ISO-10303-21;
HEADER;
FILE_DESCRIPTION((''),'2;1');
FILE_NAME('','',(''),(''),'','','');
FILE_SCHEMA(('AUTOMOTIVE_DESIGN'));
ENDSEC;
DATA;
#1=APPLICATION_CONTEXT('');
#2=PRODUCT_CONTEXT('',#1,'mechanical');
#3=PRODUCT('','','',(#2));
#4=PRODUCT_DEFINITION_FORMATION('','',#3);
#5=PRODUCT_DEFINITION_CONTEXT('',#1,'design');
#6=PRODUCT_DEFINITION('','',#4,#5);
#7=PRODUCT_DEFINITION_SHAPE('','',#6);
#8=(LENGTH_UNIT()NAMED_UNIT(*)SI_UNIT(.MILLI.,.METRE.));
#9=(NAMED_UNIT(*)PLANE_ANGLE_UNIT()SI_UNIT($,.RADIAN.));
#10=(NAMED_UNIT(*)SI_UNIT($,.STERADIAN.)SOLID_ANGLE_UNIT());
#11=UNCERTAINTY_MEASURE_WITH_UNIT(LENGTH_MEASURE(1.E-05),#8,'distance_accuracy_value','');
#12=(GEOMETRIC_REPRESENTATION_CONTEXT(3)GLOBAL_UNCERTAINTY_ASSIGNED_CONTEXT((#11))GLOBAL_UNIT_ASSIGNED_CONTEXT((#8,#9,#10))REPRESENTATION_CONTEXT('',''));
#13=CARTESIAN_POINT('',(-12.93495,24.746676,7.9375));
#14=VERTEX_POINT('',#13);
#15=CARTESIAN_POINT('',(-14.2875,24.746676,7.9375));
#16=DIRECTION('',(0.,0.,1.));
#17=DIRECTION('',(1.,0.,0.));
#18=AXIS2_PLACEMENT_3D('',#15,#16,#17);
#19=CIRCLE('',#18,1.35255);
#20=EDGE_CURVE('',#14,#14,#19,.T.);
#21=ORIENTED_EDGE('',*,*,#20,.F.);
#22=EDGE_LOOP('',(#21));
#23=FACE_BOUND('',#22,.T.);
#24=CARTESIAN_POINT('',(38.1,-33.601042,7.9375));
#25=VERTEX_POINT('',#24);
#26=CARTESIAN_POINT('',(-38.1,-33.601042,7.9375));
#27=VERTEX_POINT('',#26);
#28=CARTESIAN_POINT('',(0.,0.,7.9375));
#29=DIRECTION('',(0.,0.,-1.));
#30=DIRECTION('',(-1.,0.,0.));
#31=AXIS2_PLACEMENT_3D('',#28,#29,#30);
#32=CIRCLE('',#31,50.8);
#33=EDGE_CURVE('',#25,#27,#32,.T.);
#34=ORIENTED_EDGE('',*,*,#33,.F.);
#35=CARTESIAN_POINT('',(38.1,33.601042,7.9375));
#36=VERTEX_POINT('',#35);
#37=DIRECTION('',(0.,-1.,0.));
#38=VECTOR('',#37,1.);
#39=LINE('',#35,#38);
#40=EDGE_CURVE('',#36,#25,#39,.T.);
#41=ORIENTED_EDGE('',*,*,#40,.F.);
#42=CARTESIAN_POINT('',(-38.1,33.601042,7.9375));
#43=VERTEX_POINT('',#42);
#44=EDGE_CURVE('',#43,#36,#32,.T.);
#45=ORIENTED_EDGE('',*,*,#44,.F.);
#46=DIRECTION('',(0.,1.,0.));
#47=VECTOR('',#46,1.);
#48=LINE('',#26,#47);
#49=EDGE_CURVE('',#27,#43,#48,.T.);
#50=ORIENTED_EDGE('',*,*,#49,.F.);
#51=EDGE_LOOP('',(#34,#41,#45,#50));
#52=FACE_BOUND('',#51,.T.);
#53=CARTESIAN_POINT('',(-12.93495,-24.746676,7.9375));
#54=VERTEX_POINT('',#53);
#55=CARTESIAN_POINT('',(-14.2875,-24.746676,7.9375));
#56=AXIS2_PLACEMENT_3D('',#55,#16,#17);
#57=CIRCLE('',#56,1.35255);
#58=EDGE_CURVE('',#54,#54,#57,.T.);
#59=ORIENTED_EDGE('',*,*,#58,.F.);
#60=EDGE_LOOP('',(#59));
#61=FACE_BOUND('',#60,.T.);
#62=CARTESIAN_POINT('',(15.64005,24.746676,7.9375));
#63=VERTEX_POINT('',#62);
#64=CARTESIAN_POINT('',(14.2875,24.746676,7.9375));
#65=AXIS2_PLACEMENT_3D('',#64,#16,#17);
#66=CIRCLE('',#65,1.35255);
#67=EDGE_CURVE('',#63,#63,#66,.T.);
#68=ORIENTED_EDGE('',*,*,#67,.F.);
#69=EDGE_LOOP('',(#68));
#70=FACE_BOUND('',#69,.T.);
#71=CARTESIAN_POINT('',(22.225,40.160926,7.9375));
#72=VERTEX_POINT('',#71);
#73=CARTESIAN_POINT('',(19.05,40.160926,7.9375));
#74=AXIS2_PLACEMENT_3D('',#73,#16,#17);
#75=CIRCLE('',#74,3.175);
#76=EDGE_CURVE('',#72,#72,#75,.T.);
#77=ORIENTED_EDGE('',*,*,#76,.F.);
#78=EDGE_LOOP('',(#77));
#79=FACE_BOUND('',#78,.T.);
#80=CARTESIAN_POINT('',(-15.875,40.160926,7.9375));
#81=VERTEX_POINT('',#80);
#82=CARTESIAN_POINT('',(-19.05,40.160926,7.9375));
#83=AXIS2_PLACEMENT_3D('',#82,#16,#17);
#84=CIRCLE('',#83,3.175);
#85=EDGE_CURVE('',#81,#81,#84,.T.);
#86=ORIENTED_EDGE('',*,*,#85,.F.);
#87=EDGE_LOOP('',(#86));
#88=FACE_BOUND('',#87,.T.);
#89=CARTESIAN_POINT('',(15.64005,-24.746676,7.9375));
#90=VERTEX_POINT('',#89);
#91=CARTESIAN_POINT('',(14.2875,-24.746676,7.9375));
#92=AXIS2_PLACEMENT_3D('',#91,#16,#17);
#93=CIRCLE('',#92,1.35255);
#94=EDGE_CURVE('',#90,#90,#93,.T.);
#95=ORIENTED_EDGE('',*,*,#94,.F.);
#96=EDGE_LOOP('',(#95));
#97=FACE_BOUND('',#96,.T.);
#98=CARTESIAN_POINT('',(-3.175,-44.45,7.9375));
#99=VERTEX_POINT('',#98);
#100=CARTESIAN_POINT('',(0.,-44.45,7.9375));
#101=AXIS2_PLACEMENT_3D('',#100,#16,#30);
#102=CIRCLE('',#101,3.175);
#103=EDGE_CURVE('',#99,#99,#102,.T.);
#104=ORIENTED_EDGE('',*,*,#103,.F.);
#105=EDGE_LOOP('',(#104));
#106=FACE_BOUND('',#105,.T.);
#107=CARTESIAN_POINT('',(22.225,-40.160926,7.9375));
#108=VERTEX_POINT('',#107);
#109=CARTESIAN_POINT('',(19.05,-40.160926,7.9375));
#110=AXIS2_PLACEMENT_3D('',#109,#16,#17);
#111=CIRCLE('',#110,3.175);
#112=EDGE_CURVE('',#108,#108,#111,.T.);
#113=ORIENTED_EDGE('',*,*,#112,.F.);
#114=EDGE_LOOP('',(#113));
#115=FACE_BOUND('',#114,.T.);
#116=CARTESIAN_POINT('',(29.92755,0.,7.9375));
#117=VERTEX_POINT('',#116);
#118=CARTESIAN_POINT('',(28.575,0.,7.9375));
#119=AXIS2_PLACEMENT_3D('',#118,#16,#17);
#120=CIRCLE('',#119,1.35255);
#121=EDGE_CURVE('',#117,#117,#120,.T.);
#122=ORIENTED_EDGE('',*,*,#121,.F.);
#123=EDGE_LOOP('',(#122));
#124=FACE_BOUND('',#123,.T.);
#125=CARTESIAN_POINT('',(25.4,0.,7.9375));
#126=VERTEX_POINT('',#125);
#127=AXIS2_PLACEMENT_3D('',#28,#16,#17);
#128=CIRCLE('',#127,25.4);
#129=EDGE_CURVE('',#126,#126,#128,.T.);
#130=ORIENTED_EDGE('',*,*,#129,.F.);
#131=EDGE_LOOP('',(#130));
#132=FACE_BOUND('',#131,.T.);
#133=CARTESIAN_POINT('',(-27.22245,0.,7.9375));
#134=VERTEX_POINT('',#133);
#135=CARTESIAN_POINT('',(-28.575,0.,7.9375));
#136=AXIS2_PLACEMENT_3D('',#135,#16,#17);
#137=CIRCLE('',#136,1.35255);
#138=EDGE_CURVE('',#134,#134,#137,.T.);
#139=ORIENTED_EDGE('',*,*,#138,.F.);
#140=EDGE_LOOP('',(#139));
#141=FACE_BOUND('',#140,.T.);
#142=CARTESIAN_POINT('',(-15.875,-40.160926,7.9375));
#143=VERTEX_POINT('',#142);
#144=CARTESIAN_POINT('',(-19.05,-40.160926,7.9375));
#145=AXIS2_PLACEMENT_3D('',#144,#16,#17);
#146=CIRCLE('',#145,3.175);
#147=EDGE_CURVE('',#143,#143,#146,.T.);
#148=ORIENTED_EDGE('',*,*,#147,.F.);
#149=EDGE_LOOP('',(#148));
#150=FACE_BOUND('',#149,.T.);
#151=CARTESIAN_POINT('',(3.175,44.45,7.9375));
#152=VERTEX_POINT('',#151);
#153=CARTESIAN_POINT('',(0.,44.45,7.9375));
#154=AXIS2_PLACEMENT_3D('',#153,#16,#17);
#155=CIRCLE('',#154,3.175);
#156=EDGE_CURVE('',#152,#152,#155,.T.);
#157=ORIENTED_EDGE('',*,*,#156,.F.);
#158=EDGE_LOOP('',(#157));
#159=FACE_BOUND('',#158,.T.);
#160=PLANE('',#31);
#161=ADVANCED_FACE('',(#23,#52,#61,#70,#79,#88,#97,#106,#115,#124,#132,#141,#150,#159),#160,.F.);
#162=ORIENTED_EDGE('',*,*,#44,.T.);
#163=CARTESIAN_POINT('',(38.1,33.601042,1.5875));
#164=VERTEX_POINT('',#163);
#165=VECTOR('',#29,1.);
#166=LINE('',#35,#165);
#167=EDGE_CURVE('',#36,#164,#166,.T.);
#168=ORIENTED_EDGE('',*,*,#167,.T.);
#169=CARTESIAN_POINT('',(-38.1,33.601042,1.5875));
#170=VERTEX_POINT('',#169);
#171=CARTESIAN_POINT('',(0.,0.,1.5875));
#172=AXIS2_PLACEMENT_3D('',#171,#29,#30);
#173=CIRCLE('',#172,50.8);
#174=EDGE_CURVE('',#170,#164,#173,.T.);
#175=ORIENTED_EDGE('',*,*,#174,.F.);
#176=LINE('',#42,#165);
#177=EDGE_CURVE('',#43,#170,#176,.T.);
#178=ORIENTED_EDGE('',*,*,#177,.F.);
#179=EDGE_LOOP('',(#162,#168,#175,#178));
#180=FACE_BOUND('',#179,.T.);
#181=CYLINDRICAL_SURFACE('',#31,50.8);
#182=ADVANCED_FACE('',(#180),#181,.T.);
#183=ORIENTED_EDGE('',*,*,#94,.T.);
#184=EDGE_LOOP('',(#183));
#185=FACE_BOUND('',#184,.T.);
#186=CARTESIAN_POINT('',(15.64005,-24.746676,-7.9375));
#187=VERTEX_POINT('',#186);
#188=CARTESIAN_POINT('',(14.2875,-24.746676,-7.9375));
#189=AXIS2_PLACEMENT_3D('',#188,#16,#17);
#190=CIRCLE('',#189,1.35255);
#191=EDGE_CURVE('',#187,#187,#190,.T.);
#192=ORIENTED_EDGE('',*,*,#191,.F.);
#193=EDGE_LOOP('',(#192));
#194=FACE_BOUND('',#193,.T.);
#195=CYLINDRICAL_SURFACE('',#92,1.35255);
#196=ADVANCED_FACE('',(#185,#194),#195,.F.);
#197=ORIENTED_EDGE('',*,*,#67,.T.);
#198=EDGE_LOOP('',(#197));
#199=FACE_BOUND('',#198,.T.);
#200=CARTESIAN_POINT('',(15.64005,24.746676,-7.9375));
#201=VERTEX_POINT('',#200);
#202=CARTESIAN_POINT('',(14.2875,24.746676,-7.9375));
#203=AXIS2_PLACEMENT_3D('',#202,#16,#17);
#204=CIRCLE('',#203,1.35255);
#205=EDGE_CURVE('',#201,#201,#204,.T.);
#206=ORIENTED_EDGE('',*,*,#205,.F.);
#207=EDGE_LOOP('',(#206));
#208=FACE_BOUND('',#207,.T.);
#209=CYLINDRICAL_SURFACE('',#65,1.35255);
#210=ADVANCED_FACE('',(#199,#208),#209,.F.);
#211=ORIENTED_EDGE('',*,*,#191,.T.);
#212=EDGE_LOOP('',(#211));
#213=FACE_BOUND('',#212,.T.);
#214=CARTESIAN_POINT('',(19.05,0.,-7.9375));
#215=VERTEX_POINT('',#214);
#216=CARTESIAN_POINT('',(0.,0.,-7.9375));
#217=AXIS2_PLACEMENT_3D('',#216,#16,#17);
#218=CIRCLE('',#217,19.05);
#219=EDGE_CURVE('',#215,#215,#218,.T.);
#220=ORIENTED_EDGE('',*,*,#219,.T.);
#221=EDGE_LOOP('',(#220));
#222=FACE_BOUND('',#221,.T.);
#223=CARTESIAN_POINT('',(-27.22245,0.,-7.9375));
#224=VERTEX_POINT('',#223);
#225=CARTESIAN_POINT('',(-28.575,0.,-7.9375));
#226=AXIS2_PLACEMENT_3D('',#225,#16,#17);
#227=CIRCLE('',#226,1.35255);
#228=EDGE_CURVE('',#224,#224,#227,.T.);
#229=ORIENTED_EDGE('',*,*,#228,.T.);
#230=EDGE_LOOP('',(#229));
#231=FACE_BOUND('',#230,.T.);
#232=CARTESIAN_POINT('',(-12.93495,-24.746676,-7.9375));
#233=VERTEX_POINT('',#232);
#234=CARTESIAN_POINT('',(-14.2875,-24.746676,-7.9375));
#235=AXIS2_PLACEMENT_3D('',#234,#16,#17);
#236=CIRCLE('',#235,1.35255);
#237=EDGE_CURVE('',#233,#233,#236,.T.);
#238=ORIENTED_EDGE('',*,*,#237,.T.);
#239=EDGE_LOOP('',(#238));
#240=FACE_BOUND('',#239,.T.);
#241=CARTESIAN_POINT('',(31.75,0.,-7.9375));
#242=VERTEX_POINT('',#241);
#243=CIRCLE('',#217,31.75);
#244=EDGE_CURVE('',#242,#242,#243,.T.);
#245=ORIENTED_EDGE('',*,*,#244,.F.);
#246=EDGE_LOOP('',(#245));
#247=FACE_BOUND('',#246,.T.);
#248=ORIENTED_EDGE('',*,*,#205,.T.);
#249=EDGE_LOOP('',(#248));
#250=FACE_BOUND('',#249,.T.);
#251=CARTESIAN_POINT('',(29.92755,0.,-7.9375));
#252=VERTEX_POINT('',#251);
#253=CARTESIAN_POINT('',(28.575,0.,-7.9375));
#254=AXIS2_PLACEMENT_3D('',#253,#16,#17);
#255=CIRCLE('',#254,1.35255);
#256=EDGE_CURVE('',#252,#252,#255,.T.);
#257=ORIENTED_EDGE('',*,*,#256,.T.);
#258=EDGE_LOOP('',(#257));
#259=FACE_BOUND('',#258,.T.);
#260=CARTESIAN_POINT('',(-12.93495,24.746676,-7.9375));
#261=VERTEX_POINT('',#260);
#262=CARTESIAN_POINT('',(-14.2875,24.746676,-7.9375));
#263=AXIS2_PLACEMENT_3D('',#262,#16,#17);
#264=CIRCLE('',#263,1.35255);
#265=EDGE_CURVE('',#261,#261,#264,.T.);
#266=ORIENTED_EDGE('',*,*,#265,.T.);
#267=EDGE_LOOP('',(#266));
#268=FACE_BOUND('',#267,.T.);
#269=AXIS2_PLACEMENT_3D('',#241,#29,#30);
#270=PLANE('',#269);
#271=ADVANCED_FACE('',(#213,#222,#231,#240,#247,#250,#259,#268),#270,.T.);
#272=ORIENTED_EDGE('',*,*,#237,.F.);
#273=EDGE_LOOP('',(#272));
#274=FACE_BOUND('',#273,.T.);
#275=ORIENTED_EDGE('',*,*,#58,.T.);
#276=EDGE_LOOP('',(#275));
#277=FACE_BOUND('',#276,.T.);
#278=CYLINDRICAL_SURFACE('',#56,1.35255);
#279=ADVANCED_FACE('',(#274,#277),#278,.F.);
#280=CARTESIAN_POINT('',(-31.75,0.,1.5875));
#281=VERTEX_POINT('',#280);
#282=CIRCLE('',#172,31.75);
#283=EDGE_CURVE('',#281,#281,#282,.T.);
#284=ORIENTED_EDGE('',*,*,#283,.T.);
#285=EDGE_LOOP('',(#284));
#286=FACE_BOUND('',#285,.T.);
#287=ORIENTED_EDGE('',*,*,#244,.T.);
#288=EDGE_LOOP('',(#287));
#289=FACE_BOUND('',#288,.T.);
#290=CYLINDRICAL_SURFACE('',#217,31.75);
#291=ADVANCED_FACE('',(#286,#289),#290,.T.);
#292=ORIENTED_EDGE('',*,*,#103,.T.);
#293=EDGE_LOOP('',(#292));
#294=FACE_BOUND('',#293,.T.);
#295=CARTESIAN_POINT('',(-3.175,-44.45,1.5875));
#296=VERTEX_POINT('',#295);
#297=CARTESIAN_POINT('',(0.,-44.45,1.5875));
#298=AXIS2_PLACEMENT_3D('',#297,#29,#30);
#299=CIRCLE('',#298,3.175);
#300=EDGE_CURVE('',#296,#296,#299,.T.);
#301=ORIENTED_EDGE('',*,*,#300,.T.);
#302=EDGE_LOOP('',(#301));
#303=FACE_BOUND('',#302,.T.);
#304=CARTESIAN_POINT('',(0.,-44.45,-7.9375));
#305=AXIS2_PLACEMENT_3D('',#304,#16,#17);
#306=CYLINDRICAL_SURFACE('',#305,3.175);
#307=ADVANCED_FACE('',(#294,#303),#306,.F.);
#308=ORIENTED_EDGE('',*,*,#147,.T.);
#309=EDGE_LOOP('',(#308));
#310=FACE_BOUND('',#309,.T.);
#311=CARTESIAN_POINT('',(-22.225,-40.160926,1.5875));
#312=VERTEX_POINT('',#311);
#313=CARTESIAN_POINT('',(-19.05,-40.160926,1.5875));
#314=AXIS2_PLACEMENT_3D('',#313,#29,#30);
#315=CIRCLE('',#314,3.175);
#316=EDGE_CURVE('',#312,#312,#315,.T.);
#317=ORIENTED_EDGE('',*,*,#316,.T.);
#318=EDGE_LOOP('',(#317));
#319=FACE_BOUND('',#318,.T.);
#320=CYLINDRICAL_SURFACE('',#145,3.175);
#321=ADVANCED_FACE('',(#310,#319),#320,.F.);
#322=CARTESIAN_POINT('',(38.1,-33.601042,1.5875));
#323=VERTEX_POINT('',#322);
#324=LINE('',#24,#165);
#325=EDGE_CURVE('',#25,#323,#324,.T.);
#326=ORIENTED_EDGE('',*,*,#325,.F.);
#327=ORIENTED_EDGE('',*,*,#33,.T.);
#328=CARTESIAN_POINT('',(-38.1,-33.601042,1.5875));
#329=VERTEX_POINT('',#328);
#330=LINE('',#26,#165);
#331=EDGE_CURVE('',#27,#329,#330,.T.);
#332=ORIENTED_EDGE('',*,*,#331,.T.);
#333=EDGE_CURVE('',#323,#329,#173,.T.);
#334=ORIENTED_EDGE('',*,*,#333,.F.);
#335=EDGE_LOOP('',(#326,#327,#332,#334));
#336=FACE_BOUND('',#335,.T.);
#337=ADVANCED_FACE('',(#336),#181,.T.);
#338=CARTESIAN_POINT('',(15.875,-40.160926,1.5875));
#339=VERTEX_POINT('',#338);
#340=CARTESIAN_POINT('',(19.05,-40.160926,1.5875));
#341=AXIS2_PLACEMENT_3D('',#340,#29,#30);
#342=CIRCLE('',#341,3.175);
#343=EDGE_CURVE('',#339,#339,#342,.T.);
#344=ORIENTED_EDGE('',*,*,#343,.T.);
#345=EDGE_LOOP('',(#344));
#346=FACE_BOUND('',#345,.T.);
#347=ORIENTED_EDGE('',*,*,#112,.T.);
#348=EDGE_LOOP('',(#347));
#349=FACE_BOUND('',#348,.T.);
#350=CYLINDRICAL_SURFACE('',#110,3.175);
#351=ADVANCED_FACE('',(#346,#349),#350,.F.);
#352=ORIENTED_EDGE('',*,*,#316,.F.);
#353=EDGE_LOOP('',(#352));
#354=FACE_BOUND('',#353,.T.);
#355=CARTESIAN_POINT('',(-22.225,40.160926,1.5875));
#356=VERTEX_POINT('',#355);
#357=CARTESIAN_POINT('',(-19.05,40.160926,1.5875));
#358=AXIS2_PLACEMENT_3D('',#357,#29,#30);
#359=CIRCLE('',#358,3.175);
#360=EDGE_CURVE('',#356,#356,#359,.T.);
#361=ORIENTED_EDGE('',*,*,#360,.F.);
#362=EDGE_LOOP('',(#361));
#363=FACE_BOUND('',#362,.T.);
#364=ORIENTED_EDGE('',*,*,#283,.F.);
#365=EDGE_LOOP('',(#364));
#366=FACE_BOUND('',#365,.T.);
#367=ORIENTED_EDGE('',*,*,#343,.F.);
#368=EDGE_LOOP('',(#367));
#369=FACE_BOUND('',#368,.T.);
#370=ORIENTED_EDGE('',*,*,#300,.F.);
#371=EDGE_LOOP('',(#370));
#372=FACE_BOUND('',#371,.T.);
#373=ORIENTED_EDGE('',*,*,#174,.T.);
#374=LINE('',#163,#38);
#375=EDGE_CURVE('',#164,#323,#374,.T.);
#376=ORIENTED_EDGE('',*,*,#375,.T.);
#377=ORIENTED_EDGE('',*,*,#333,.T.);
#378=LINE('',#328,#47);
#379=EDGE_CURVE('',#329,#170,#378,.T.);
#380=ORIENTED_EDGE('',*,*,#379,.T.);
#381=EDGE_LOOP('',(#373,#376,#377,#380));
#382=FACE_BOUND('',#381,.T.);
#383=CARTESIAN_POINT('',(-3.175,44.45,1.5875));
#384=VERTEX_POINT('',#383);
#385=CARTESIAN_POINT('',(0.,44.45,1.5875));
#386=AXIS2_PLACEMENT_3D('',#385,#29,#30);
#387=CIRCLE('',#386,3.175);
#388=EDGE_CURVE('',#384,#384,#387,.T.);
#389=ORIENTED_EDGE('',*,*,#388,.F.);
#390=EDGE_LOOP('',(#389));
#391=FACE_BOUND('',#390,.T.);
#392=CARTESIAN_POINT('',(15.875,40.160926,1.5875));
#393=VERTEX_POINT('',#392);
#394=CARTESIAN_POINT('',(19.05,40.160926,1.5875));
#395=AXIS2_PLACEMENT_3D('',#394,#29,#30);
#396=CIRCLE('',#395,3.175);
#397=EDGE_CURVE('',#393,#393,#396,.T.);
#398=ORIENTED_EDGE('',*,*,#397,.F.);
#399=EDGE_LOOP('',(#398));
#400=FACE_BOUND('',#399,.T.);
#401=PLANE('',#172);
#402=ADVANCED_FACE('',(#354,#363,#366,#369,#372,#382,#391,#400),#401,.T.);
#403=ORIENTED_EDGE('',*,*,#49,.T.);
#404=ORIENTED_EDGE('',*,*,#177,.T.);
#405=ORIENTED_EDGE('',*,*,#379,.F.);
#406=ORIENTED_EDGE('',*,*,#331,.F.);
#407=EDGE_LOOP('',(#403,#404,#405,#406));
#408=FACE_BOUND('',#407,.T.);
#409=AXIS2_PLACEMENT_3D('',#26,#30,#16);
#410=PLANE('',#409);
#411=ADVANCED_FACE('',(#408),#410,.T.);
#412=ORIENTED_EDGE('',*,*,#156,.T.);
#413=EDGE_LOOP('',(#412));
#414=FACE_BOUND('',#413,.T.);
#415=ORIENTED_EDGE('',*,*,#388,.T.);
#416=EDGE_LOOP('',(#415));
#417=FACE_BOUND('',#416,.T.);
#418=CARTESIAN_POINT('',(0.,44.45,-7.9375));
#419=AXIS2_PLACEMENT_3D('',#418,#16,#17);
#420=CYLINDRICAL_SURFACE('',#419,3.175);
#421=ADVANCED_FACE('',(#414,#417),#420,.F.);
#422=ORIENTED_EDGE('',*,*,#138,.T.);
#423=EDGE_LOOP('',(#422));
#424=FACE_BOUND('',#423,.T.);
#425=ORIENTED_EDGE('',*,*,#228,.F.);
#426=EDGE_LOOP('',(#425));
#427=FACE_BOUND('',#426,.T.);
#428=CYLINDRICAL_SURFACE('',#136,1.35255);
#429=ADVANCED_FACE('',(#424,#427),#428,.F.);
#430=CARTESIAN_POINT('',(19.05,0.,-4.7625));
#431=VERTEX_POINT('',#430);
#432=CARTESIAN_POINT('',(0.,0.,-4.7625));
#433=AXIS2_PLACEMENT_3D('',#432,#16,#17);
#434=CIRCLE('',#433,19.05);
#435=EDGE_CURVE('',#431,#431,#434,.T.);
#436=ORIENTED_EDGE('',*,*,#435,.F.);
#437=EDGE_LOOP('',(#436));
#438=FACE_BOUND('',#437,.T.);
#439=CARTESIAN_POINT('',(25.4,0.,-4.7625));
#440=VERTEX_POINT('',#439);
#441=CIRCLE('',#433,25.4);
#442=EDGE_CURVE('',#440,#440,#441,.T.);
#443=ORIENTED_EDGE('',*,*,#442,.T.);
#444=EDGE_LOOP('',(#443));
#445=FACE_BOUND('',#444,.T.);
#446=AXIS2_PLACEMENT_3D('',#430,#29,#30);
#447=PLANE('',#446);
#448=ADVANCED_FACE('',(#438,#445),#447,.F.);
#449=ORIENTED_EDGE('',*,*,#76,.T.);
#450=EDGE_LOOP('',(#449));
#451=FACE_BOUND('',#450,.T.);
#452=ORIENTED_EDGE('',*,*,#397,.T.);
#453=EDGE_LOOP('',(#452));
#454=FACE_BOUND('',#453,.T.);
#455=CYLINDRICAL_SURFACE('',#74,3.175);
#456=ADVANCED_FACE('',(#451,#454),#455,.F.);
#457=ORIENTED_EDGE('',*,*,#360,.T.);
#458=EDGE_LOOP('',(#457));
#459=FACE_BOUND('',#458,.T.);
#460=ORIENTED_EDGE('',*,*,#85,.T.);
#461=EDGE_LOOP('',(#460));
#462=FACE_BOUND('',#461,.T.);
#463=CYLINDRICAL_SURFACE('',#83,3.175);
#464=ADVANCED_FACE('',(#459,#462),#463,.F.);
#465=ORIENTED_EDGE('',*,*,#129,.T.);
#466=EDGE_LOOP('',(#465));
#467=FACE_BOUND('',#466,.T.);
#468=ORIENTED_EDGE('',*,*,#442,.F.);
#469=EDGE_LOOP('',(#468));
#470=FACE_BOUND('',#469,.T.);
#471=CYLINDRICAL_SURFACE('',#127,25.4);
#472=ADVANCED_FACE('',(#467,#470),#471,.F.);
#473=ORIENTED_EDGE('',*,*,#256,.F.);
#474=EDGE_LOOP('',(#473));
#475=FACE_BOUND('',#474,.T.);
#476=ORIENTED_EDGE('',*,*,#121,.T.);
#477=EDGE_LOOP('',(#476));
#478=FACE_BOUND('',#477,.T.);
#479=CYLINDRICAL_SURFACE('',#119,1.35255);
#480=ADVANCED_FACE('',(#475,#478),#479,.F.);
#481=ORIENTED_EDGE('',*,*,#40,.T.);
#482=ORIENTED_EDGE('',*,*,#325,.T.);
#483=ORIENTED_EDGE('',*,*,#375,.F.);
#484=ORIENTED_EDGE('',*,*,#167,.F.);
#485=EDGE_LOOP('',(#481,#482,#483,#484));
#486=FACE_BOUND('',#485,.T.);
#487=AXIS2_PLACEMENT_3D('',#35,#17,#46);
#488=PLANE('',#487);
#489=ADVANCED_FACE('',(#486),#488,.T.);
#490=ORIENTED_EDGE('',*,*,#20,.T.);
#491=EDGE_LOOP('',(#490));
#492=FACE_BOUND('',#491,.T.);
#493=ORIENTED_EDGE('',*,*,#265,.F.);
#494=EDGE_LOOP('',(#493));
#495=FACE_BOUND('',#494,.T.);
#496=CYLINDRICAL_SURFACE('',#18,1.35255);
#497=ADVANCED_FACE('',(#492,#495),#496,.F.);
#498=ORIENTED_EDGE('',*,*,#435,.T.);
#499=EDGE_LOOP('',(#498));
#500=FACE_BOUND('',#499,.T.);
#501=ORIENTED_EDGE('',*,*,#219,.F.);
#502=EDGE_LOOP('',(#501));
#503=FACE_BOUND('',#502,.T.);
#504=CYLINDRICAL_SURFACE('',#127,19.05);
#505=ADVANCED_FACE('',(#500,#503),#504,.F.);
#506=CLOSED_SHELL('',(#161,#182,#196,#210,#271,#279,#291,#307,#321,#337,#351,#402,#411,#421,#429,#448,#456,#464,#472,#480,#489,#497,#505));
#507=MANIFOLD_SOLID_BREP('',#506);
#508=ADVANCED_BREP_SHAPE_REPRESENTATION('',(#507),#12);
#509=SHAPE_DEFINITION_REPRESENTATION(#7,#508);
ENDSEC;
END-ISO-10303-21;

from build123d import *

# Parameters (mm, degrees)
BOSS_EXTRUDE1_DEPTH              = 6.35
SKETCH2_W                        = 31.75
SKETCH2_H                        = 9.525
F_2_4_5_TAPPED_HOLE1_D           = 38.1
F_2_4_5_TAPPED_HOLE1_CBORE_D     = 50.8
F_2_4_5_TAPPED_HOLE1_CBORE_DEPTH = 12.7
SKETCH13_R                       = 3.175
CUT_EXTRUDE1_DEPTH               = 66.454301807
CIRPATTERN1_COUNT                = 2
F_6_32_TAPPED_HOLE1_D            = 2.7051
CIRPATTERN2_COUNT                = 6
F_1_4_0_25_DIAMETER_HOLE1_D      = 6.35
F_1_4_0_25_DIAMETER_HOLE2_D      = 6.35


with BuildPart() as part:
    # Sketch1 → Boss-Extrude1 (new body)
    with BuildSketch(Plane(origin=(0, 0, 1.5875), x_dir=(-1, 0, 0), z_dir=(0, 0, -1))):
        with BuildLine():
            Line((38.1, -33.601041651), (38.1, 33.601041651))
            ThreePointArc((38.1, 33.601041651), (0, 50.8), (-38.1, 33.601041651))
            Line((-38.1, 33.601041651), (-38.1, -33.601041651))
            ThreePointArc((-38.1, -33.601041651), (0, -50.8), (38.1, -33.601041651))
        make_face()
    extrude(amount=-BOSS_EXTRUDE1_DEPTH)

    # Sketch2 → Revolve1 (revolve)
    with BuildSketch(Plane(origin=(0, 0, 0), x_dir=(1, 0, 0), z_dir=(0, 1, 0))):
        with Locations((15.875, 3.175)):
            Rectangle(SKETCH2_W, SKETCH2_H)
    revolve(axis=Axis((0, 0, -7.9375), (0, 0, 1)))

    # 2-4.5 Tapped Hole1 (through all)
    with Locations(Plane.XY.offset(7.9375)):
        with Locations((0, 0)):
            CounterBoreHole(F_2_4_5_TAPPED_HOLE1_D / 2, F_2_4_5_TAPPED_HOLE1_CBORE_D / 2, F_2_4_5_TAPPED_HOLE1_CBORE_DEPTH)

    # Sketch13 → Cut-Extrude1 (cut, through all)
    with BuildSketch(Plane.XY.offset(7.9375)):
        with Locations((0, 44.45)):
            Circle(SKETCH13_R)
    cut_extrude1 = extrude(amount=-CUT_EXTRUDE1_DEPTH, mode=Mode.SUBTRACT)

    # CirPattern1: Cut-Extrude1 ×2 about axis
    cirpattern1_axis = Axis((0, 0, 0), (0, 0, 1))
    for i in range(1, CIRPATTERN1_COUNT):
        add(cut_extrude1.rotate(cirpattern1_axis, i * 360 / CIRPATTERN1_COUNT), mode=Mode.SUBTRACT)

    # #6-32 Tapped Hole1 (through all)
    with Locations(Plane.XY.offset(7.9375)):
        with Locations((28.575, 0)):
            f_6_32_tapped_hole1 = Hole(F_6_32_TAPPED_HOLE1_D / 2)

    # CirPattern2: #6-32 Tapped Hole1 ×6 about axis
    cirpattern2_axis = Axis((0, 0, 0), (0, 0, 1))
    for i in range(1, CIRPATTERN2_COUNT):
        add(f_6_32_tapped_hole1.rotate(cirpattern2_axis, i * 360 / CIRPATTERN2_COUNT), mode=Mode.SUBTRACT)

    # 1/4 (0.25) Diameter Hole1 (through all)
    with Locations(Plane.XY.offset(7.9375)):
        with Locations((-19.05, 40.160926284)):
            Hole(F_1_4_0_25_DIAMETER_HOLE1_D / 2)

    # 1/4 (0.25) Diameter Hole2 (through all)
    with Locations(Plane.XY.offset(7.9375)):
        with Locations((19.05, 40.160926284), (19.05, -40.160926284), (-19.05, -40.160926284)):
            Hole(F_1_4_0_25_DIAMETER_HOLE2_D / 2)


solid = part.part
